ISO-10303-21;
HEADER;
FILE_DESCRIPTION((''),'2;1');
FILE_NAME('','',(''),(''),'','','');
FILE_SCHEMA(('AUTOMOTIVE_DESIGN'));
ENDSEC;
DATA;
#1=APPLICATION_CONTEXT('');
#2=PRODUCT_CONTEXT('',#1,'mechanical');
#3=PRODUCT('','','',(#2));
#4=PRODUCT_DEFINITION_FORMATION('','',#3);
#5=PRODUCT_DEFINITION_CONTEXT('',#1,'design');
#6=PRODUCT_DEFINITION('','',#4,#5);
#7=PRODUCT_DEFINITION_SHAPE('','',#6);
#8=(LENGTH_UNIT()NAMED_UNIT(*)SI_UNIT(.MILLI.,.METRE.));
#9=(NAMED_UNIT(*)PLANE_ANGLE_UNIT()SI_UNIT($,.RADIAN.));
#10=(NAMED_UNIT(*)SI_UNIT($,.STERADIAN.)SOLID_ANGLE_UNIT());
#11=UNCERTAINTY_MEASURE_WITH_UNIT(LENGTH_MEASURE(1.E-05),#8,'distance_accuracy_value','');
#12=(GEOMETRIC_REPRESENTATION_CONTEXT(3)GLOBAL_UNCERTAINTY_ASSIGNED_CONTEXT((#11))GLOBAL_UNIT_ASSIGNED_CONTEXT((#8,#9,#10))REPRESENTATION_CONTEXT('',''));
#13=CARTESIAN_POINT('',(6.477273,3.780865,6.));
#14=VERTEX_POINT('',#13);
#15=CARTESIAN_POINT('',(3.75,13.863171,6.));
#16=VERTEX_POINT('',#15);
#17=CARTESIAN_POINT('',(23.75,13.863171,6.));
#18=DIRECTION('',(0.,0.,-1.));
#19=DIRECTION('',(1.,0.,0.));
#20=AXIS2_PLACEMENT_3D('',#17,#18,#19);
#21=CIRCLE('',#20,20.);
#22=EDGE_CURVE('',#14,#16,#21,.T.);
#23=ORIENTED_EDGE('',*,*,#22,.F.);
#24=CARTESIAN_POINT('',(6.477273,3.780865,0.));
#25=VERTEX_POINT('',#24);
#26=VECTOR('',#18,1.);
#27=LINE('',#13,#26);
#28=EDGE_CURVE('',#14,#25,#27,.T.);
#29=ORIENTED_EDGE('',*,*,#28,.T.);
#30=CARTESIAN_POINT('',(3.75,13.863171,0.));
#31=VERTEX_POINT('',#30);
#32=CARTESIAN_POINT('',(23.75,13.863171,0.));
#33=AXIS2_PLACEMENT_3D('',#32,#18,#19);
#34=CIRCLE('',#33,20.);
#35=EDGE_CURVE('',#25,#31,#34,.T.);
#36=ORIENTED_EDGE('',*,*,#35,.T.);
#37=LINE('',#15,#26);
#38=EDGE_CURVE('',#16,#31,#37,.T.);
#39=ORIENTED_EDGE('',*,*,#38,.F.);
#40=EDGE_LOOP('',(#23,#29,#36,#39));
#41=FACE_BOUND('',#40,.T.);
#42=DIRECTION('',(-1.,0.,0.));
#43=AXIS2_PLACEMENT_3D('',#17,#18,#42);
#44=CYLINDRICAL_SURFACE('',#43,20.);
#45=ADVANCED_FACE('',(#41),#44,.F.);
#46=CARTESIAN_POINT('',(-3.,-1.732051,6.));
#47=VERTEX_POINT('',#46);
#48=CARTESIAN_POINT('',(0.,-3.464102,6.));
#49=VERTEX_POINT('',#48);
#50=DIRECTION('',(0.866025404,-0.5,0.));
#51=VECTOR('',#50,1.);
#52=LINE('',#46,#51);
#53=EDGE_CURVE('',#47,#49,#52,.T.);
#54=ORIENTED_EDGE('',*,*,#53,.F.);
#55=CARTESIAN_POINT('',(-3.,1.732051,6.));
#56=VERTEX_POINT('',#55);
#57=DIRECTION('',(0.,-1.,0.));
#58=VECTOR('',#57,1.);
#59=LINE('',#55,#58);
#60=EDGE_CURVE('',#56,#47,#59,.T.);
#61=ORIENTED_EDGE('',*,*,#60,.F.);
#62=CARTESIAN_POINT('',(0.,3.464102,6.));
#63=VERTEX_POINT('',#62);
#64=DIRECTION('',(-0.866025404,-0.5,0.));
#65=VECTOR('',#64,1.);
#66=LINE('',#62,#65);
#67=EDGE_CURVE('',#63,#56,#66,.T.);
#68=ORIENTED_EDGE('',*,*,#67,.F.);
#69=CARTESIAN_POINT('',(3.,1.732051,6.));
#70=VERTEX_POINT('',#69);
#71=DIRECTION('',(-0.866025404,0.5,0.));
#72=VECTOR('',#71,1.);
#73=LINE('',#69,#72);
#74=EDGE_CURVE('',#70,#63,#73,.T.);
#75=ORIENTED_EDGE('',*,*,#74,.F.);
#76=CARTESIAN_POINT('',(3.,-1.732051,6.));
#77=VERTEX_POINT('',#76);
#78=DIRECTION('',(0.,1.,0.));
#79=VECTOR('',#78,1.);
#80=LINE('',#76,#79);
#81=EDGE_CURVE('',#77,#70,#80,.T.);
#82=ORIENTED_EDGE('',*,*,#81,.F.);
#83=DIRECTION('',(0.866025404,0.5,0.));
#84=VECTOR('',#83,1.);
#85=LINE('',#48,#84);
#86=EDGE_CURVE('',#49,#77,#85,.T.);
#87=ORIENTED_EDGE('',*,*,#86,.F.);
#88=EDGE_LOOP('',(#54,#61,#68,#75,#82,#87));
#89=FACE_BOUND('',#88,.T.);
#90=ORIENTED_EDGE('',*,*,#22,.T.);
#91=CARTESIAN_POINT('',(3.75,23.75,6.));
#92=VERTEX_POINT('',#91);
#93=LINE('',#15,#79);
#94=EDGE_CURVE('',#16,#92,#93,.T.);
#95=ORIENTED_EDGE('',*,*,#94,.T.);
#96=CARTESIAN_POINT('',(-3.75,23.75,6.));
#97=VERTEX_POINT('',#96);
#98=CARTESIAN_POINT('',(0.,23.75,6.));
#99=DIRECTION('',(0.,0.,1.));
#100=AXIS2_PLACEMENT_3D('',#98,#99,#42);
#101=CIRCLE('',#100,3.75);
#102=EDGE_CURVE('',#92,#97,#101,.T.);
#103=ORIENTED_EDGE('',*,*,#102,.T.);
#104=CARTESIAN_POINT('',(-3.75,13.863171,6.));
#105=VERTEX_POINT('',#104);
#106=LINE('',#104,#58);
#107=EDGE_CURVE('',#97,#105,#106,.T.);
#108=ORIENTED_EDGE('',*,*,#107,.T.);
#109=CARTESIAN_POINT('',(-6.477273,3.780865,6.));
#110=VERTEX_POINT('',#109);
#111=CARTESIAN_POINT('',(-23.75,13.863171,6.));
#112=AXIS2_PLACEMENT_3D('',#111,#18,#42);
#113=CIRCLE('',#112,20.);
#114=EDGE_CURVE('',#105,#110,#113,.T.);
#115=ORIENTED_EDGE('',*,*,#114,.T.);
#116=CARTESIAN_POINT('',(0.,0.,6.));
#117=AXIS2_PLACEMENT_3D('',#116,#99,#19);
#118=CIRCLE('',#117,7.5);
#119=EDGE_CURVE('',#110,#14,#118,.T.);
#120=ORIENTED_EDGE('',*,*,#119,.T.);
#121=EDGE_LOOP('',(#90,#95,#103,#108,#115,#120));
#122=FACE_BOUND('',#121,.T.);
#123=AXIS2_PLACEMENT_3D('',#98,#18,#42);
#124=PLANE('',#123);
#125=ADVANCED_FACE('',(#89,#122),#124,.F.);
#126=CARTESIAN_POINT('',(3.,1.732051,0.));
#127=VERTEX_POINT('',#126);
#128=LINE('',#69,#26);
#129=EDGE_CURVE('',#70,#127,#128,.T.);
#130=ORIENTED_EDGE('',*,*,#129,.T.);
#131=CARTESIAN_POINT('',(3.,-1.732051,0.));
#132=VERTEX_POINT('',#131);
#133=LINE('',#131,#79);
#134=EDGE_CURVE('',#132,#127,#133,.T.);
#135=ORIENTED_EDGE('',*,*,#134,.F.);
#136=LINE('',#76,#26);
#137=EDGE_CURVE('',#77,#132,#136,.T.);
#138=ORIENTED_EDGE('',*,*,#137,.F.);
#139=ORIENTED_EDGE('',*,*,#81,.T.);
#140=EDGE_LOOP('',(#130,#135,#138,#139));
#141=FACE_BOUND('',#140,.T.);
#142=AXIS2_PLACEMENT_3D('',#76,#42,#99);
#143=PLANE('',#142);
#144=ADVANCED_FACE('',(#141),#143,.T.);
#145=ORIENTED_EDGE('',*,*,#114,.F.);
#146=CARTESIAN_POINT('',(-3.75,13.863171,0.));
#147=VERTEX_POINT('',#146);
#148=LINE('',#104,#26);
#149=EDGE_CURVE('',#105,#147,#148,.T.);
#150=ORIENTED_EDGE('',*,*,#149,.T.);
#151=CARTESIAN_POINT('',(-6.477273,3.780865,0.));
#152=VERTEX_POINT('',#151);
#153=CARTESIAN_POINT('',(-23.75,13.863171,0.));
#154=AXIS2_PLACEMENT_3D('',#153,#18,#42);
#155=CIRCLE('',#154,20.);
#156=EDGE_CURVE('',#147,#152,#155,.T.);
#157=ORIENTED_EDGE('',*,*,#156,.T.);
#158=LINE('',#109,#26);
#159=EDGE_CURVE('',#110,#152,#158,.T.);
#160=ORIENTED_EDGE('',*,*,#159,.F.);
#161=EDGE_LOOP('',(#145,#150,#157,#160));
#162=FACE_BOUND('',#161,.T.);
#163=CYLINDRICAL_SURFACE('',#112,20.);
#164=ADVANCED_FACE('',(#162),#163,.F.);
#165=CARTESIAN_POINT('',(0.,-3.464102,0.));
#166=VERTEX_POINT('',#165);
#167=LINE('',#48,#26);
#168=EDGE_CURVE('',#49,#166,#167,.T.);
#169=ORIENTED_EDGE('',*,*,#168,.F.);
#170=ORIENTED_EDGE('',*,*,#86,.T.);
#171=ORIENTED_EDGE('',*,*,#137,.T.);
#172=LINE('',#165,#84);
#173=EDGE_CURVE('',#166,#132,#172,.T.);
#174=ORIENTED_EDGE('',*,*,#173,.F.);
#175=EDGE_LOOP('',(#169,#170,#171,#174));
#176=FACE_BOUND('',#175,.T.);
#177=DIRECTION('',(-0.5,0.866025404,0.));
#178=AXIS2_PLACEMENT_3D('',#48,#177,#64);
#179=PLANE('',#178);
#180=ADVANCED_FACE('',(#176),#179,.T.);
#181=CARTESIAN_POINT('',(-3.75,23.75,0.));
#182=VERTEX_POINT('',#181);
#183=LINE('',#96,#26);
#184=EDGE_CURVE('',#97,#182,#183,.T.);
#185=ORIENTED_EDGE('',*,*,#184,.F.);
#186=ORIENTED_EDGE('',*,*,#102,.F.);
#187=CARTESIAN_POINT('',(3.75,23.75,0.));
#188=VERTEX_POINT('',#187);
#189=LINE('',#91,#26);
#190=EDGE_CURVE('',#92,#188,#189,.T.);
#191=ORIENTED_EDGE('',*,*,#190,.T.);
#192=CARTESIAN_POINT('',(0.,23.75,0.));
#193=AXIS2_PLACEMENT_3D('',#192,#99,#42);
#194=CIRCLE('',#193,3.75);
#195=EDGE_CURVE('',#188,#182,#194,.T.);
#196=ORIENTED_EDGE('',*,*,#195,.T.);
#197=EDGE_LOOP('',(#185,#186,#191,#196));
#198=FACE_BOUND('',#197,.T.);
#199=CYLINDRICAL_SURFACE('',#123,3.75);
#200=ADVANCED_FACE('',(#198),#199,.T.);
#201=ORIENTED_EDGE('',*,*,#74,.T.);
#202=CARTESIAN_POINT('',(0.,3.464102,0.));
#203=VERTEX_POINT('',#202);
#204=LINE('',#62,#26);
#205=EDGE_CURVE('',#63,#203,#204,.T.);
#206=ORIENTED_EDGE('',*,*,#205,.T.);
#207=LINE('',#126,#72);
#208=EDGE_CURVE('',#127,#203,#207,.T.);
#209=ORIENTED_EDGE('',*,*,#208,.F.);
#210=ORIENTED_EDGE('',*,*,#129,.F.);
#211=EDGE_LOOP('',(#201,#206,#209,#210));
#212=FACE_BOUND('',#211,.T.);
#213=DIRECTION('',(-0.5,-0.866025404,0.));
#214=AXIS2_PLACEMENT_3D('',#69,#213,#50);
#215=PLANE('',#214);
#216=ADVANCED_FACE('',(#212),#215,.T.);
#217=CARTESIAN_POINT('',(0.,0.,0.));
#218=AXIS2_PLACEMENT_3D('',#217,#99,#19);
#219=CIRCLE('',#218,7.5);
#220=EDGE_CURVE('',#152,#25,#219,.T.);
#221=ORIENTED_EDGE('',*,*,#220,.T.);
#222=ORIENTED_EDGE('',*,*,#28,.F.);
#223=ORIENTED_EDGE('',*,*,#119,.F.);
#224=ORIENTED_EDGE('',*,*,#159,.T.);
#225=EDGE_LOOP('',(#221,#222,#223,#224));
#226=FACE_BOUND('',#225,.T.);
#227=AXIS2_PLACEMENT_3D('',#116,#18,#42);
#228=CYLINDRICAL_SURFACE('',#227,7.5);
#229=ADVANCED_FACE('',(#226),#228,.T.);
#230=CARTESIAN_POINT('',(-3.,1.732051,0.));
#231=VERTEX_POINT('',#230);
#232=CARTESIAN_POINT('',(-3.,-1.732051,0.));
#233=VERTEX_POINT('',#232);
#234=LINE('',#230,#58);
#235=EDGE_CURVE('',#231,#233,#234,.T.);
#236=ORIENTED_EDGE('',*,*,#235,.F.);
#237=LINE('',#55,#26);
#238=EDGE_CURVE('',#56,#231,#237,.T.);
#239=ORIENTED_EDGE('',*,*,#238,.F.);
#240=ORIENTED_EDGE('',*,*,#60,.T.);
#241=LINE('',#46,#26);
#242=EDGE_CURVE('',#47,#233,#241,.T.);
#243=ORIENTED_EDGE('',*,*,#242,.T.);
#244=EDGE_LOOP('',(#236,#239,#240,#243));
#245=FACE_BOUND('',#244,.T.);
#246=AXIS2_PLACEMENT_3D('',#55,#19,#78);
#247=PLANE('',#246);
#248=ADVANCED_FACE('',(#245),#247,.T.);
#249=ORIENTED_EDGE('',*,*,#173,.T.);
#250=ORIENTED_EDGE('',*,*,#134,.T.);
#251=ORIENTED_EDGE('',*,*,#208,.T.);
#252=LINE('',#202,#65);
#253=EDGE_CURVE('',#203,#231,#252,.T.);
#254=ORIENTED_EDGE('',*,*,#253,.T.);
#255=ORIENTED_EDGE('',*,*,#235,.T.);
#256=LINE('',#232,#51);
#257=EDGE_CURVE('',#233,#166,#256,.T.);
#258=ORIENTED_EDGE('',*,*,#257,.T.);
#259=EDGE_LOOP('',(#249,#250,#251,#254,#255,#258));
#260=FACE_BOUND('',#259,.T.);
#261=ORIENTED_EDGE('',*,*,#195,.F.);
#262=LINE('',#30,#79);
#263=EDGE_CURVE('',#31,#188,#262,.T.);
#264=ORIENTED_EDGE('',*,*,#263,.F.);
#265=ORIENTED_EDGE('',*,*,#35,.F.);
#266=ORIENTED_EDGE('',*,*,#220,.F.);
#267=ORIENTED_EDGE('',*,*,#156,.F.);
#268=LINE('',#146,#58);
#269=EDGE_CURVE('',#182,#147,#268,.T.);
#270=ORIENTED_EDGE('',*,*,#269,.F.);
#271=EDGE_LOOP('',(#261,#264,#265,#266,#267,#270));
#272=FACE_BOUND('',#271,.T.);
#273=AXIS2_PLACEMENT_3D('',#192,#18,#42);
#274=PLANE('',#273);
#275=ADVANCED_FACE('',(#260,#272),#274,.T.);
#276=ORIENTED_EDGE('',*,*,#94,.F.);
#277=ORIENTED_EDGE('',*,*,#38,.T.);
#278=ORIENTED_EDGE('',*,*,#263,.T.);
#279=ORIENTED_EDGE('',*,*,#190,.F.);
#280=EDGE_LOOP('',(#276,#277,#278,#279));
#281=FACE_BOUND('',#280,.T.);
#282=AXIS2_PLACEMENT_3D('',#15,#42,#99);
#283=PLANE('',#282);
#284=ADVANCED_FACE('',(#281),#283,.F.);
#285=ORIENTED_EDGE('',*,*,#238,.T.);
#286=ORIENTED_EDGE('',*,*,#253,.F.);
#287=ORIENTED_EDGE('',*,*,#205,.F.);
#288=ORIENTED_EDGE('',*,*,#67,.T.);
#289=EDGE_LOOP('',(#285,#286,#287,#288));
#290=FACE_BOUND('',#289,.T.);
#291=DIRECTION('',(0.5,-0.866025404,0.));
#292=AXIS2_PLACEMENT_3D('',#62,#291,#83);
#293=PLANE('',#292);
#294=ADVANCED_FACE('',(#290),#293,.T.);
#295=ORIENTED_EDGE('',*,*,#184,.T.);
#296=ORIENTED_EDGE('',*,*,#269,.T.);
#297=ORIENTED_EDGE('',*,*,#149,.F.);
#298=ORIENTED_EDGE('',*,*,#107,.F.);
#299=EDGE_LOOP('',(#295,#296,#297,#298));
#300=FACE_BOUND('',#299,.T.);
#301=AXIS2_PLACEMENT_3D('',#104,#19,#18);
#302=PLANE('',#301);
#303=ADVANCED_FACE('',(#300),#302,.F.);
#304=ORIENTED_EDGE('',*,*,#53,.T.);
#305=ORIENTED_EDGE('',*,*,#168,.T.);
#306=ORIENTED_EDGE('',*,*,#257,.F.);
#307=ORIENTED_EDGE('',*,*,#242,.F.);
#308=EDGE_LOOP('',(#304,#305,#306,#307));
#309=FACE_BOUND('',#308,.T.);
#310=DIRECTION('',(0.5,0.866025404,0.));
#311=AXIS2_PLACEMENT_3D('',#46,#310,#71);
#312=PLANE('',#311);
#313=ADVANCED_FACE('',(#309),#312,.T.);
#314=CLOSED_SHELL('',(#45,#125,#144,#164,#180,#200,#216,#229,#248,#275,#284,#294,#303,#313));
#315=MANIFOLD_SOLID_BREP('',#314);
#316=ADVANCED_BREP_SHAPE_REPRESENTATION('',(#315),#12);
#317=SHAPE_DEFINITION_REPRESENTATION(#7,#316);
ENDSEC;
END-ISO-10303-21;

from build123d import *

# Parameters (mm, degrees)
BOSS_EXTRUDE1_DEPTH = 6


with BuildPart() as part:
    # Sketch1 → Boss-Extrude1 (new body)
    with BuildSketch(Plane.XY):
        with BuildLine():
            Line((-3.75, 13.863170633), (-3.75, 23.75))
            ThreePointArc((-3.75, 23.75), (0, 27.5), (3.75, 23.75))
            Line((3.75, 23.75), (3.75, 13.863170633))
            ThreePointArc((3.75, 13.863170633), (4.443854017, 8.640840954), (6.477272727, 3.780864718))
            ThreePointArc((6.477272727, 3.780864718), (0, -7.5), (-6.477272727, 3.780864718))
            ThreePointArc((-6.477272727, 3.780864718), (-4.443854017, 8.640840954), (-3.75, 13.863170633))
        make_face()
        Polygon((0, 3.464101615), (-3, 1.732050808), (-3, -1.732050808), (0, -3.464101615), (3, -1.732050808), (3, 1.732050808), align=None, mode=Mode.SUBTRACT)
    extrude(amount=BOSS_EXTRUDE1_DEPTH)


solid = part.part
